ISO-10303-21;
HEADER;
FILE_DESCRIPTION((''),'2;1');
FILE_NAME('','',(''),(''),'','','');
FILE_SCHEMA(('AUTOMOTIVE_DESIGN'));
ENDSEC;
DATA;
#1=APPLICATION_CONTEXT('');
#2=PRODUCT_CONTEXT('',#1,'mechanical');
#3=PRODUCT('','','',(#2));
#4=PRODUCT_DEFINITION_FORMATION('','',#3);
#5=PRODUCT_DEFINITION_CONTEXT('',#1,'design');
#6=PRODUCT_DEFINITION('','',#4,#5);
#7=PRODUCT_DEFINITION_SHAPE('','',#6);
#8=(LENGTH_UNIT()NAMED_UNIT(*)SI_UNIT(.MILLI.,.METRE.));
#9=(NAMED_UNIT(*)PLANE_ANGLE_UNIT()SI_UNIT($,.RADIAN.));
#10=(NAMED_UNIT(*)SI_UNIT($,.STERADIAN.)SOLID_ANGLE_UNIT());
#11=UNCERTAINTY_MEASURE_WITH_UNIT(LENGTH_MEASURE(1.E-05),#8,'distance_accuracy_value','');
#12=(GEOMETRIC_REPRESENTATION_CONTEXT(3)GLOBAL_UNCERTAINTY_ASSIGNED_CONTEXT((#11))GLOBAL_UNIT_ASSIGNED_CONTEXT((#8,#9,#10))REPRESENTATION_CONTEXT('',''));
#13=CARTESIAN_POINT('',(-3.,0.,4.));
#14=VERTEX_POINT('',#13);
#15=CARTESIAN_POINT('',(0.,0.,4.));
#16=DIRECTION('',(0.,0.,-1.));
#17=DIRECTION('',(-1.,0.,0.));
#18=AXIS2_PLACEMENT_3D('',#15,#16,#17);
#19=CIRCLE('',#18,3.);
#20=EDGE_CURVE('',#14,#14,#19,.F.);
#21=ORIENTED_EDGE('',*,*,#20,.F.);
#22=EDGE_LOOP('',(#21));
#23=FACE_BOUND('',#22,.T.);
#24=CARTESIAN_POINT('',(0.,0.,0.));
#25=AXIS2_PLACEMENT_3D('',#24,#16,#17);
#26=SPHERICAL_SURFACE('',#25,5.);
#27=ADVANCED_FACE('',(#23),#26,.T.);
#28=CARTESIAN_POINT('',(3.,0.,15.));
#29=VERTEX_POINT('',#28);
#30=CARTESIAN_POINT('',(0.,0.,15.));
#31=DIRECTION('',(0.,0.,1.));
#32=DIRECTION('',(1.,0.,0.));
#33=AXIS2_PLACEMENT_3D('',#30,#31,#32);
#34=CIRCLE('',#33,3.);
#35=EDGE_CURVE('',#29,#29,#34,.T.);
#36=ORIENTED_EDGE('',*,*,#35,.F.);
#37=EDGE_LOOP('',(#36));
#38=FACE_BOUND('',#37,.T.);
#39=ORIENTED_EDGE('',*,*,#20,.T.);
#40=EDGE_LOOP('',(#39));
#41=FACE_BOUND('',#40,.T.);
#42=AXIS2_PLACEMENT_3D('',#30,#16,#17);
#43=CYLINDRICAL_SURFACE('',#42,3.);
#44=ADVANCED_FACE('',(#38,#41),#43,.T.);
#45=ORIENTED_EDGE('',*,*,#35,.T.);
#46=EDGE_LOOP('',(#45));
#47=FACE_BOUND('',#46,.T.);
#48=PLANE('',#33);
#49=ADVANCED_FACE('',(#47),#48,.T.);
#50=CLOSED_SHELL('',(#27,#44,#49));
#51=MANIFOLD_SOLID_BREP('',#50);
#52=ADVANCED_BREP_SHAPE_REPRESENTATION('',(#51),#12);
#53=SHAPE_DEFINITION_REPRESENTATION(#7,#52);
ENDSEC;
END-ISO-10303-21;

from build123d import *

# Parameters (mm, degrees)
SKETCH_2_R      = 3
EXTRUDE_1_DEPTH = 15


with BuildPart() as part:
    # 草图1 → 旋转1 (revolve)
    with BuildSketch(Plane.XY):
        with BuildLine():
            Line((0, -5), (0, 5))
            ThreePointArc((0, 5), (-5, 0), (0, -5))
        make_face()
    revolve(axis=Axis((0, -1000, 0), (0, 1, 0)))

    # 草图2 → 拉伸1 (add)
    with BuildSketch(Plane.XY):
        with Locations(Location((0, 0, 0), (0, 0, 180))):
            Circle(SKETCH_2_R)
    extrude(amount=EXTRUDE_1_DEPTH)


solid = part.part
